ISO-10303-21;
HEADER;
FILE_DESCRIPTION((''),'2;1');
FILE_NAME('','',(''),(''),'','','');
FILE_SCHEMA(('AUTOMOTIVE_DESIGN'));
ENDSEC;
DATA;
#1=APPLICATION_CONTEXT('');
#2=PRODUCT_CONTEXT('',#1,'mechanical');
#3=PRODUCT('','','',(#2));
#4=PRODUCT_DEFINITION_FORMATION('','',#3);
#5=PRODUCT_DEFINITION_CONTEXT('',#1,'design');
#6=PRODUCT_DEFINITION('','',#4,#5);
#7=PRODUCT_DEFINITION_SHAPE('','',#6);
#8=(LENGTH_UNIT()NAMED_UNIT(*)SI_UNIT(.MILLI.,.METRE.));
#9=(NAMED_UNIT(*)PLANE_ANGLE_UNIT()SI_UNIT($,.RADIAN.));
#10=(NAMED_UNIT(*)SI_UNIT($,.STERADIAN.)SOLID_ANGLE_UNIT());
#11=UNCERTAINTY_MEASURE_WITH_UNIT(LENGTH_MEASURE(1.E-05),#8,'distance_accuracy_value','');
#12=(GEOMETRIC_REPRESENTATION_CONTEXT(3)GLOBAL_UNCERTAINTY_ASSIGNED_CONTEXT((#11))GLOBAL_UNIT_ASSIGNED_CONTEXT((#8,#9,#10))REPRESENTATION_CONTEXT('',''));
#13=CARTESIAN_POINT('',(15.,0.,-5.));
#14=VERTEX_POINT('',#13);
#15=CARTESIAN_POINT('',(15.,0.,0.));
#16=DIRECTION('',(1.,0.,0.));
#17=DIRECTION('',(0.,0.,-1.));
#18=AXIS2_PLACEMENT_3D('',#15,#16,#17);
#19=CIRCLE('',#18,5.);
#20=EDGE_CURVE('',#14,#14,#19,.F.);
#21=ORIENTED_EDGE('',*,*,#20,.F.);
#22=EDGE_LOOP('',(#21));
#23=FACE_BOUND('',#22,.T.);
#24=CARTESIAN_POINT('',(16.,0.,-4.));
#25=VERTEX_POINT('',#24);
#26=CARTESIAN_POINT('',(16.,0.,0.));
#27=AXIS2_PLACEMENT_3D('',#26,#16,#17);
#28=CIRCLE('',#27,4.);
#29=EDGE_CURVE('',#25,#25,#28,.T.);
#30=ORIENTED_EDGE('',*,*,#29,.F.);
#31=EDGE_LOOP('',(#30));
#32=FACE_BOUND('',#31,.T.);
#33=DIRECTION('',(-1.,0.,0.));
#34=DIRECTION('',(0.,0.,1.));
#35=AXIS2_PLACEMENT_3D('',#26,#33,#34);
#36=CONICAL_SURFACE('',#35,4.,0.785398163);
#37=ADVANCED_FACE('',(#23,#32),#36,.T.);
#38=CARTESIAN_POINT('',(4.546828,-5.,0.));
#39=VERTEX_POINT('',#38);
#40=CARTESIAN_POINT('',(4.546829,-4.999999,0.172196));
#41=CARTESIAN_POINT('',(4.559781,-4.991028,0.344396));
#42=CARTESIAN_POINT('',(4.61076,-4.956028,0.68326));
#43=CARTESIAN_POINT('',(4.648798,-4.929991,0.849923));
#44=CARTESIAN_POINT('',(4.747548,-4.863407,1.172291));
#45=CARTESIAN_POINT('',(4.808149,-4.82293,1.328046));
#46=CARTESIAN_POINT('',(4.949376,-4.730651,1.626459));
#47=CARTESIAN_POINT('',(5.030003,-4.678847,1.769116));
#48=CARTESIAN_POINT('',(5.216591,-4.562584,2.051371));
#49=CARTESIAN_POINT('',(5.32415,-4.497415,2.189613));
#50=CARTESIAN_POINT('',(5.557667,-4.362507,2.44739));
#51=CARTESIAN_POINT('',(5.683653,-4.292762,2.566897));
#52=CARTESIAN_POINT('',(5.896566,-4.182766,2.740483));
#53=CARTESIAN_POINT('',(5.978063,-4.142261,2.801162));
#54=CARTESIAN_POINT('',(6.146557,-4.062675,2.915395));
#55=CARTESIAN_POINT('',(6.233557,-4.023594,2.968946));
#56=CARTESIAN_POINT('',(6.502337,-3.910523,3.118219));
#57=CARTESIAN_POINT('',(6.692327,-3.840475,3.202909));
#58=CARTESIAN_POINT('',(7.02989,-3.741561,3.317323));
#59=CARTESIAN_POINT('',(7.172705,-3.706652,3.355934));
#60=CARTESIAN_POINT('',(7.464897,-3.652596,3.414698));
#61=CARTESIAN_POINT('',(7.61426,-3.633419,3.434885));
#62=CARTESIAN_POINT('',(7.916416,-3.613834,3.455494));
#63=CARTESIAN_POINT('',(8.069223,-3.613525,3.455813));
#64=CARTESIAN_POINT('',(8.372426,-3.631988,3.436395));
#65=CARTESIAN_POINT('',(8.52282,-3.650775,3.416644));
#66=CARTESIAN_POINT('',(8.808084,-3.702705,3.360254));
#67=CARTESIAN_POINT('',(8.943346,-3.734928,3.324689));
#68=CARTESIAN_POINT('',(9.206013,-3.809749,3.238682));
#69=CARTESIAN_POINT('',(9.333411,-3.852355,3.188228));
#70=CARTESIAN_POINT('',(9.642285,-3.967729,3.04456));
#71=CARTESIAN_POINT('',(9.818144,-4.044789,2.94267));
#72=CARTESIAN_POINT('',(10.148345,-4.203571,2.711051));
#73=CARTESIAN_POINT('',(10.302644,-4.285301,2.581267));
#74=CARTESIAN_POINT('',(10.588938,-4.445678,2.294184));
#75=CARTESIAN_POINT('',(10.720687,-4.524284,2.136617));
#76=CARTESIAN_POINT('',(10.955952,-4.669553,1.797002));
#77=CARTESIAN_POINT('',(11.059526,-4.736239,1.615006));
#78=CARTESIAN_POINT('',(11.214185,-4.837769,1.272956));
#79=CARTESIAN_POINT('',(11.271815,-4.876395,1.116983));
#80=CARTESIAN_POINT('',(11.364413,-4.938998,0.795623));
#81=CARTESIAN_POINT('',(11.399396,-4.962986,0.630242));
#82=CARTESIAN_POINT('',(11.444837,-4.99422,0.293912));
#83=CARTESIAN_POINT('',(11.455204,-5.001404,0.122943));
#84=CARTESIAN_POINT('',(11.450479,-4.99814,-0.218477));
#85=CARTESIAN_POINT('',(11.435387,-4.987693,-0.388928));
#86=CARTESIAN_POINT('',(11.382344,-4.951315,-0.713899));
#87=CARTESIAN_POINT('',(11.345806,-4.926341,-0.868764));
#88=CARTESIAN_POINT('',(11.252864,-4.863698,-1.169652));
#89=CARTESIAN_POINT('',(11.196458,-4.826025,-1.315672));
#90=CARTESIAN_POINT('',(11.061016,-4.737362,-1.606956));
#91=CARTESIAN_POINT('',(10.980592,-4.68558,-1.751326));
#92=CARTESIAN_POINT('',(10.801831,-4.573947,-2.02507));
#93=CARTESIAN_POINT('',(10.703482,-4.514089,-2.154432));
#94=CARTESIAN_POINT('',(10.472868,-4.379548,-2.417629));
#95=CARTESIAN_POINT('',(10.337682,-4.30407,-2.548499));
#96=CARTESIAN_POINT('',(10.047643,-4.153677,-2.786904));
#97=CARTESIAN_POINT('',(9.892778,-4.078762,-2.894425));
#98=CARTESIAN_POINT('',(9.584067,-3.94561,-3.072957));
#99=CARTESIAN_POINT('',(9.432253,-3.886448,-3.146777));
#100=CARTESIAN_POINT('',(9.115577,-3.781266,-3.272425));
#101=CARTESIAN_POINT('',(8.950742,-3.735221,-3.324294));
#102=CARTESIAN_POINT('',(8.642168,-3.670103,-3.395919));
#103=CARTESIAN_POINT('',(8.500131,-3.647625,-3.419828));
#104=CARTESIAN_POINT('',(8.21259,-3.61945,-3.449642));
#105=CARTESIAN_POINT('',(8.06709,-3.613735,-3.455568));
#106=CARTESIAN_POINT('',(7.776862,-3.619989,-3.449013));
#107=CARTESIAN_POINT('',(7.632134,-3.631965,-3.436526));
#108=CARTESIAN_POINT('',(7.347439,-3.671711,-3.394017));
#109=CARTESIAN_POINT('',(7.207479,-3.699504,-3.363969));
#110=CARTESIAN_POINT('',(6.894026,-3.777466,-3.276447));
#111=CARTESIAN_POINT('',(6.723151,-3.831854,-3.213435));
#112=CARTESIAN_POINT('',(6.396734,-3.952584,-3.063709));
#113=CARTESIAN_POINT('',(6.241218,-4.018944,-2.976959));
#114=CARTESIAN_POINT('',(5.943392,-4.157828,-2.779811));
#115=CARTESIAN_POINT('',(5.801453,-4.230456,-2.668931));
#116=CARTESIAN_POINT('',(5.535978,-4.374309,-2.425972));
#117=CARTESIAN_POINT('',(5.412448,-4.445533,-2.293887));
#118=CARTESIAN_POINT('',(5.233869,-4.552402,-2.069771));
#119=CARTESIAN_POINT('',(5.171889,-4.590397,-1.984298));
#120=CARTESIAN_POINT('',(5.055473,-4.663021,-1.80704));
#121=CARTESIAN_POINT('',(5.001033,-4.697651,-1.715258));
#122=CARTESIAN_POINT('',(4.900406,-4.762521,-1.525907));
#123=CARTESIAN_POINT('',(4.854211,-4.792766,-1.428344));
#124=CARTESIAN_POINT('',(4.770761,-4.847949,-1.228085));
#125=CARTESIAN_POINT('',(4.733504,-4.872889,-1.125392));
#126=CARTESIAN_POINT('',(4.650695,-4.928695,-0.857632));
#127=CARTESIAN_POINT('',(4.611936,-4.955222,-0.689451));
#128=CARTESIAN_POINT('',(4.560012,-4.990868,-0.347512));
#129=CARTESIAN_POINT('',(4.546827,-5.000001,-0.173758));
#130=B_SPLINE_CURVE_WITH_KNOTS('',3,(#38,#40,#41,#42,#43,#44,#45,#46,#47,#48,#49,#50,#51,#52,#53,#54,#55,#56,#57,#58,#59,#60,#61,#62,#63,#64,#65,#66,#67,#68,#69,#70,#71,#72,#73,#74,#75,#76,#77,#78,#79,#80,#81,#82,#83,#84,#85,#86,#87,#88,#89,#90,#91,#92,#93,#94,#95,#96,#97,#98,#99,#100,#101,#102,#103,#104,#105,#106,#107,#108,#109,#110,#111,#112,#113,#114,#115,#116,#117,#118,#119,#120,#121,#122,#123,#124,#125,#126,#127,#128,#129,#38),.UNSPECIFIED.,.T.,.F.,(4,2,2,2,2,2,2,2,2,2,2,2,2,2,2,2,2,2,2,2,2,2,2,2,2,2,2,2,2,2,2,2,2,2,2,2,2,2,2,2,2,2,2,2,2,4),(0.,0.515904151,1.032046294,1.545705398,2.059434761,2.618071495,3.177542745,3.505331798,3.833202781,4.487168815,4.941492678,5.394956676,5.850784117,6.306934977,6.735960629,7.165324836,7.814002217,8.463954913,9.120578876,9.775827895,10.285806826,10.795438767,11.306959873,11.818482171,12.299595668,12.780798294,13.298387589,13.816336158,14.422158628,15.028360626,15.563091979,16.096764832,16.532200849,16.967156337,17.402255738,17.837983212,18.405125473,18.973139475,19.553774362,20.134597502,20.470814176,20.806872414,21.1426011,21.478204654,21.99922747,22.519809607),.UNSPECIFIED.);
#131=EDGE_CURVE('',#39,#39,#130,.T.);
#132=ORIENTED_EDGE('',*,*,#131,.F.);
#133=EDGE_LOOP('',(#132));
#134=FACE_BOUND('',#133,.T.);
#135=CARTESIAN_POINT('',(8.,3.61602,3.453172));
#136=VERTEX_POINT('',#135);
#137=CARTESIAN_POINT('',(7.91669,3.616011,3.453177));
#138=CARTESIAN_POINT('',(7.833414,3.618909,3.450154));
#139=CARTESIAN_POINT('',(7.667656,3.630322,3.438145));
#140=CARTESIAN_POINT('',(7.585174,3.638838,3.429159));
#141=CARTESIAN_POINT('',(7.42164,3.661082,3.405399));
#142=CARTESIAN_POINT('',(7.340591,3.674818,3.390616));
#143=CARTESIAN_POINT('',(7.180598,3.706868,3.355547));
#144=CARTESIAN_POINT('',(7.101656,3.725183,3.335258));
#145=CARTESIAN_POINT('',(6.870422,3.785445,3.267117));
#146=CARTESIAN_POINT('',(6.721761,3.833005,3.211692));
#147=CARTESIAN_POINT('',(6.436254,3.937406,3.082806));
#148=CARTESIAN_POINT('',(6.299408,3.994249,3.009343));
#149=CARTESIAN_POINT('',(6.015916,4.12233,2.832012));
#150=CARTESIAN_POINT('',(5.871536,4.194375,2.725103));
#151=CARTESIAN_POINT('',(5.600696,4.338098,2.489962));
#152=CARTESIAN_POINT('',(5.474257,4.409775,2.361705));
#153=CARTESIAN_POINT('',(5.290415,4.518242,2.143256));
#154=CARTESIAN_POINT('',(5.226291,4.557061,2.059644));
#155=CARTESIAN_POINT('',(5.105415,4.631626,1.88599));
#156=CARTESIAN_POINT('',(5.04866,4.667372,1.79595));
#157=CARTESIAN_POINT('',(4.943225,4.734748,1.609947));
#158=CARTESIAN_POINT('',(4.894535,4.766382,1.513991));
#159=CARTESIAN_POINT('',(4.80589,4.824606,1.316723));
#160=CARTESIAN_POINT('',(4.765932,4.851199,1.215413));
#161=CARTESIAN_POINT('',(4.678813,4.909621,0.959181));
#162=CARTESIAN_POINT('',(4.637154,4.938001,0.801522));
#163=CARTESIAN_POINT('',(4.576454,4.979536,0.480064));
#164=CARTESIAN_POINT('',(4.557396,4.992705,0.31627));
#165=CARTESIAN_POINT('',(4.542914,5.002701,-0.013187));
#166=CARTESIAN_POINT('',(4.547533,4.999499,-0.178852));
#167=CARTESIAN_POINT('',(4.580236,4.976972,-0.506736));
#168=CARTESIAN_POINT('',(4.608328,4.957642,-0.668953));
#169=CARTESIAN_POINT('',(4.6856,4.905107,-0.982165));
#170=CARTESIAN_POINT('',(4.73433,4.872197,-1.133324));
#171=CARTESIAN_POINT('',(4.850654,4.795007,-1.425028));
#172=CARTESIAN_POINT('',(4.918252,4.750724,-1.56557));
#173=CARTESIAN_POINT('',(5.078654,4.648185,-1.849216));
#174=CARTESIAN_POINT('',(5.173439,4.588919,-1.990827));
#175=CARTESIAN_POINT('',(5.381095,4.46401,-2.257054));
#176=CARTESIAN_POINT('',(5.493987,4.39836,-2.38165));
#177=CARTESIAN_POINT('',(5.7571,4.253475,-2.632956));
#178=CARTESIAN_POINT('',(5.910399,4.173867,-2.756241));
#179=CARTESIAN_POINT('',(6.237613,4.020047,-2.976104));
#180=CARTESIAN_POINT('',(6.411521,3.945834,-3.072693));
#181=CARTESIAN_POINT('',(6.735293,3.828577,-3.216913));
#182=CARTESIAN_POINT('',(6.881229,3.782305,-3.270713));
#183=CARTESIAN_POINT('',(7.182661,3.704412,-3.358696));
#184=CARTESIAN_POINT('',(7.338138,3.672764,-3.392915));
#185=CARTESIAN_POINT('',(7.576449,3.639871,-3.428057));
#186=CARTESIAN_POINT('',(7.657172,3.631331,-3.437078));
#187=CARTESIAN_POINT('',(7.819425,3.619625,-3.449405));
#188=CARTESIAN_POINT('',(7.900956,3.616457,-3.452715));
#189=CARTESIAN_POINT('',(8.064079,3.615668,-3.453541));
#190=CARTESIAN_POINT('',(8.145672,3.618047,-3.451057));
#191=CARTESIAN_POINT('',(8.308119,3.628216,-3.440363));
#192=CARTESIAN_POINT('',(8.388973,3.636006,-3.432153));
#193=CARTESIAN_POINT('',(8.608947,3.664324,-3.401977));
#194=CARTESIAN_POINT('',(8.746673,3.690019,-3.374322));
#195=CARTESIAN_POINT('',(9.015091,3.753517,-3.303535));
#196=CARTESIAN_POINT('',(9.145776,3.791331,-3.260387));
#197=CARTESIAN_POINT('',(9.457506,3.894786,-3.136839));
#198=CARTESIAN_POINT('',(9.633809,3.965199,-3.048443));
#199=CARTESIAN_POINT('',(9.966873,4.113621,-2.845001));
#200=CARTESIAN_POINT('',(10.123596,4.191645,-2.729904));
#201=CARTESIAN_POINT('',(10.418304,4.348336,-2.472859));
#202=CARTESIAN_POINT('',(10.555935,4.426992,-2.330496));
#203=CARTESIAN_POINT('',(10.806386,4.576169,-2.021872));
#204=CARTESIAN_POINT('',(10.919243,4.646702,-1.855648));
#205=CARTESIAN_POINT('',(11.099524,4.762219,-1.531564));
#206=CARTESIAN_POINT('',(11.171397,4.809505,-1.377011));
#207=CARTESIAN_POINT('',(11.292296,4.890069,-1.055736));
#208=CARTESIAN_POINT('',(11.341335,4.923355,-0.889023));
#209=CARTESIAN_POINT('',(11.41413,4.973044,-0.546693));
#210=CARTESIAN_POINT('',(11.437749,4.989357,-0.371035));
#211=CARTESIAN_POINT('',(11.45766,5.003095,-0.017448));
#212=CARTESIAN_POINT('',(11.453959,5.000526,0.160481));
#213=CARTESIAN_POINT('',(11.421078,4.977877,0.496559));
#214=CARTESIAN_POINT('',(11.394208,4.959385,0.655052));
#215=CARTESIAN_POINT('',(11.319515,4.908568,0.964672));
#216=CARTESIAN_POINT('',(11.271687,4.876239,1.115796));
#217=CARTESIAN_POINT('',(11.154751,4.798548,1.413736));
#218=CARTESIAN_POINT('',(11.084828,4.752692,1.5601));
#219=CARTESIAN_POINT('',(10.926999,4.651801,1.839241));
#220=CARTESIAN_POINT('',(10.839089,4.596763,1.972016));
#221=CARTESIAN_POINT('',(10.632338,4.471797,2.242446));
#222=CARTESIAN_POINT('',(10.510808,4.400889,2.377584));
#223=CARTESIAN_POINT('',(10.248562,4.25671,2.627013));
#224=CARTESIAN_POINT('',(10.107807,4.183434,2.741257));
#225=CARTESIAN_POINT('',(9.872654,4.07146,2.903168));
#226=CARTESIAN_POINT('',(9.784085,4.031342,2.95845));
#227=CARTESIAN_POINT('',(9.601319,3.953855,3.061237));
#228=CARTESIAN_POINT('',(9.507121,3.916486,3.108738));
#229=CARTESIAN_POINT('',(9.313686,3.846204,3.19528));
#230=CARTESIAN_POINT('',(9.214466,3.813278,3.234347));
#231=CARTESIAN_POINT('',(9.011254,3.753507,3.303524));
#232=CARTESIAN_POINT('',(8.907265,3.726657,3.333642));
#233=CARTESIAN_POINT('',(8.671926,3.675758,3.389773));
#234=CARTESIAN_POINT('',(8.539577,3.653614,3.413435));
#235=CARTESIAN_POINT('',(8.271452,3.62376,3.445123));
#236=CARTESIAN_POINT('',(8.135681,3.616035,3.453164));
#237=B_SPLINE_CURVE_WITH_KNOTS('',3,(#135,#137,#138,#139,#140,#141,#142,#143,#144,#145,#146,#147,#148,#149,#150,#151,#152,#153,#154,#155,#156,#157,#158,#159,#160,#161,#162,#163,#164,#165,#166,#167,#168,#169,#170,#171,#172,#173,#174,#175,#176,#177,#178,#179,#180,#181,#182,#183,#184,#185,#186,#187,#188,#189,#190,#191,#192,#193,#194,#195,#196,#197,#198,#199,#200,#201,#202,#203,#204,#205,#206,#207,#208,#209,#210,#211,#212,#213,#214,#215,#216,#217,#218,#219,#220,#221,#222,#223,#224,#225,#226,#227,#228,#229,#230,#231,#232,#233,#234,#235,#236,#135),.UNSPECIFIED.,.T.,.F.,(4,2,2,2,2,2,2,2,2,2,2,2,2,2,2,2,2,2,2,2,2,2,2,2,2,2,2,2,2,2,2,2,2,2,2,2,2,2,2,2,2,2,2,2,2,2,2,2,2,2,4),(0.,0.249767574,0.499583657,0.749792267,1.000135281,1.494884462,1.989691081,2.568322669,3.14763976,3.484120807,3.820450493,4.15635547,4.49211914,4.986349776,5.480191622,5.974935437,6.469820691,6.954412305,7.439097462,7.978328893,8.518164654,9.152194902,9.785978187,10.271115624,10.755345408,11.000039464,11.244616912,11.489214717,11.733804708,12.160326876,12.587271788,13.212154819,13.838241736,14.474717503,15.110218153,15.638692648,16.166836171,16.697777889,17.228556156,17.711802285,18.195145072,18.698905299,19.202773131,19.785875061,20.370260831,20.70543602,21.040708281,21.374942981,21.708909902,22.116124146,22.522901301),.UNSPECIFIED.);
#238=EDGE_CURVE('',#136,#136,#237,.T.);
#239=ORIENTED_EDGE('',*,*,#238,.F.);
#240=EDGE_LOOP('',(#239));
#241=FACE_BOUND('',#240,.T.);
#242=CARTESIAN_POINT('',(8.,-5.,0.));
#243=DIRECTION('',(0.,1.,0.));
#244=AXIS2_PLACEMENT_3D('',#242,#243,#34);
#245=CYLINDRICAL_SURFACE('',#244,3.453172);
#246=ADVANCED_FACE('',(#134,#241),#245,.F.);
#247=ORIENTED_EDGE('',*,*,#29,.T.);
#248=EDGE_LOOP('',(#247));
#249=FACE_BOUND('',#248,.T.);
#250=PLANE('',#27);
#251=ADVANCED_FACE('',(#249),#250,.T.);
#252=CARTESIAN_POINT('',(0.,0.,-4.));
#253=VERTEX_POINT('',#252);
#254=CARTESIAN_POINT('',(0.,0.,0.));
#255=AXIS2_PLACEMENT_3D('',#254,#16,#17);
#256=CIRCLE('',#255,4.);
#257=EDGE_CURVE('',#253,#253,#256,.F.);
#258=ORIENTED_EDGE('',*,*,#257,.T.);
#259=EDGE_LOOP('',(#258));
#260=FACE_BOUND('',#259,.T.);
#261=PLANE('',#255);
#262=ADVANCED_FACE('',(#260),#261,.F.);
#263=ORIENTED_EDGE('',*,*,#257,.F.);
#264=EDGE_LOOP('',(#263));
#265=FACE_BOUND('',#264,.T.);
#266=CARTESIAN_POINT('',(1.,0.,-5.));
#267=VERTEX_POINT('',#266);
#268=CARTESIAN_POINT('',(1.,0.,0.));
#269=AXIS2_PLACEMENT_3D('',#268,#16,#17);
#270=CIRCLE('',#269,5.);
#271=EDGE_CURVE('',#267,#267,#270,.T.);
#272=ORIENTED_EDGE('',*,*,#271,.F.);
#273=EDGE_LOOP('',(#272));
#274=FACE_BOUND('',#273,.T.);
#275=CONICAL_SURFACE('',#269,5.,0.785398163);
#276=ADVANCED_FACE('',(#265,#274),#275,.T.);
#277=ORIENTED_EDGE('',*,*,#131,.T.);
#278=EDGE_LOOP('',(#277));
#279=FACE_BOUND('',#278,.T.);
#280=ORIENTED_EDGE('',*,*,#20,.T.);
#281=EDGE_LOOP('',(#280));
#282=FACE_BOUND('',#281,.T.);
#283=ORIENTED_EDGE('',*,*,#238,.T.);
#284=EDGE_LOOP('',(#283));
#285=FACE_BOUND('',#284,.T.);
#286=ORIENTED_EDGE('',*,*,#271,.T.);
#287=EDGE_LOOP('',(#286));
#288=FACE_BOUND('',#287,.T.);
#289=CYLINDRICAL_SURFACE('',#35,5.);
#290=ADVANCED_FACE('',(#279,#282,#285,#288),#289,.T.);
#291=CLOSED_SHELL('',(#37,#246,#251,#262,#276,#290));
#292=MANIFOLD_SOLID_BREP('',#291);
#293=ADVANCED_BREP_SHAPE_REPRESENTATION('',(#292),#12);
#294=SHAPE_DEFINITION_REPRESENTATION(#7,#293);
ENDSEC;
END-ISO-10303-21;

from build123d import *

# Parameters (mm, degrees)
SKETCH1_R               = 5
BOSS_EXTRUDE1_DEPTH     = 16
SKETCH2_R               = 3.453172081
CUT_EXTRUDE1_DEPTH      = 6
CUT_EXTRUDE1_DEPTH_BACK = 6
CHAMFER1_SIZE           = 1


with BuildPart() as part:
    # Sketch1 → Boss-Extrude1 (new body)
    with BuildSketch(Plane(origin=(0, 0, 0), x_dir=(0, 0, -1), z_dir=(1, 0, 0))):
        Circle(SKETCH1_R)
    extrude(amount=BOSS_EXTRUDE1_DEPTH)

    # Sketch2 → Cut-Extrude1 (cut, two sides)
    with BuildSketch(Plane(origin=(0, 0, 0), x_dir=(1, 0, 0), z_dir=(0, 1, 0))) as cut_extrude1_sk:
        with Locations((8, 0)):
            Circle(SKETCH2_R)
    extrude(amount=CUT_EXTRUDE1_DEPTH, mode=Mode.SUBTRACT)
    extrude(cut_extrude1_sk.sketch, amount=-CUT_EXTRUDE1_DEPTH_BACK, mode=Mode.SUBTRACT)

    # Chamfer1
    chamfer1_edges = [part.edges().sort_by_distance(p)[0] for p in [
        (0, 0, 5),
        (16, 0, 5),
    ]]
    chamfer(chamfer1_edges, length=CHAMFER1_SIZE)


solid = part.part
